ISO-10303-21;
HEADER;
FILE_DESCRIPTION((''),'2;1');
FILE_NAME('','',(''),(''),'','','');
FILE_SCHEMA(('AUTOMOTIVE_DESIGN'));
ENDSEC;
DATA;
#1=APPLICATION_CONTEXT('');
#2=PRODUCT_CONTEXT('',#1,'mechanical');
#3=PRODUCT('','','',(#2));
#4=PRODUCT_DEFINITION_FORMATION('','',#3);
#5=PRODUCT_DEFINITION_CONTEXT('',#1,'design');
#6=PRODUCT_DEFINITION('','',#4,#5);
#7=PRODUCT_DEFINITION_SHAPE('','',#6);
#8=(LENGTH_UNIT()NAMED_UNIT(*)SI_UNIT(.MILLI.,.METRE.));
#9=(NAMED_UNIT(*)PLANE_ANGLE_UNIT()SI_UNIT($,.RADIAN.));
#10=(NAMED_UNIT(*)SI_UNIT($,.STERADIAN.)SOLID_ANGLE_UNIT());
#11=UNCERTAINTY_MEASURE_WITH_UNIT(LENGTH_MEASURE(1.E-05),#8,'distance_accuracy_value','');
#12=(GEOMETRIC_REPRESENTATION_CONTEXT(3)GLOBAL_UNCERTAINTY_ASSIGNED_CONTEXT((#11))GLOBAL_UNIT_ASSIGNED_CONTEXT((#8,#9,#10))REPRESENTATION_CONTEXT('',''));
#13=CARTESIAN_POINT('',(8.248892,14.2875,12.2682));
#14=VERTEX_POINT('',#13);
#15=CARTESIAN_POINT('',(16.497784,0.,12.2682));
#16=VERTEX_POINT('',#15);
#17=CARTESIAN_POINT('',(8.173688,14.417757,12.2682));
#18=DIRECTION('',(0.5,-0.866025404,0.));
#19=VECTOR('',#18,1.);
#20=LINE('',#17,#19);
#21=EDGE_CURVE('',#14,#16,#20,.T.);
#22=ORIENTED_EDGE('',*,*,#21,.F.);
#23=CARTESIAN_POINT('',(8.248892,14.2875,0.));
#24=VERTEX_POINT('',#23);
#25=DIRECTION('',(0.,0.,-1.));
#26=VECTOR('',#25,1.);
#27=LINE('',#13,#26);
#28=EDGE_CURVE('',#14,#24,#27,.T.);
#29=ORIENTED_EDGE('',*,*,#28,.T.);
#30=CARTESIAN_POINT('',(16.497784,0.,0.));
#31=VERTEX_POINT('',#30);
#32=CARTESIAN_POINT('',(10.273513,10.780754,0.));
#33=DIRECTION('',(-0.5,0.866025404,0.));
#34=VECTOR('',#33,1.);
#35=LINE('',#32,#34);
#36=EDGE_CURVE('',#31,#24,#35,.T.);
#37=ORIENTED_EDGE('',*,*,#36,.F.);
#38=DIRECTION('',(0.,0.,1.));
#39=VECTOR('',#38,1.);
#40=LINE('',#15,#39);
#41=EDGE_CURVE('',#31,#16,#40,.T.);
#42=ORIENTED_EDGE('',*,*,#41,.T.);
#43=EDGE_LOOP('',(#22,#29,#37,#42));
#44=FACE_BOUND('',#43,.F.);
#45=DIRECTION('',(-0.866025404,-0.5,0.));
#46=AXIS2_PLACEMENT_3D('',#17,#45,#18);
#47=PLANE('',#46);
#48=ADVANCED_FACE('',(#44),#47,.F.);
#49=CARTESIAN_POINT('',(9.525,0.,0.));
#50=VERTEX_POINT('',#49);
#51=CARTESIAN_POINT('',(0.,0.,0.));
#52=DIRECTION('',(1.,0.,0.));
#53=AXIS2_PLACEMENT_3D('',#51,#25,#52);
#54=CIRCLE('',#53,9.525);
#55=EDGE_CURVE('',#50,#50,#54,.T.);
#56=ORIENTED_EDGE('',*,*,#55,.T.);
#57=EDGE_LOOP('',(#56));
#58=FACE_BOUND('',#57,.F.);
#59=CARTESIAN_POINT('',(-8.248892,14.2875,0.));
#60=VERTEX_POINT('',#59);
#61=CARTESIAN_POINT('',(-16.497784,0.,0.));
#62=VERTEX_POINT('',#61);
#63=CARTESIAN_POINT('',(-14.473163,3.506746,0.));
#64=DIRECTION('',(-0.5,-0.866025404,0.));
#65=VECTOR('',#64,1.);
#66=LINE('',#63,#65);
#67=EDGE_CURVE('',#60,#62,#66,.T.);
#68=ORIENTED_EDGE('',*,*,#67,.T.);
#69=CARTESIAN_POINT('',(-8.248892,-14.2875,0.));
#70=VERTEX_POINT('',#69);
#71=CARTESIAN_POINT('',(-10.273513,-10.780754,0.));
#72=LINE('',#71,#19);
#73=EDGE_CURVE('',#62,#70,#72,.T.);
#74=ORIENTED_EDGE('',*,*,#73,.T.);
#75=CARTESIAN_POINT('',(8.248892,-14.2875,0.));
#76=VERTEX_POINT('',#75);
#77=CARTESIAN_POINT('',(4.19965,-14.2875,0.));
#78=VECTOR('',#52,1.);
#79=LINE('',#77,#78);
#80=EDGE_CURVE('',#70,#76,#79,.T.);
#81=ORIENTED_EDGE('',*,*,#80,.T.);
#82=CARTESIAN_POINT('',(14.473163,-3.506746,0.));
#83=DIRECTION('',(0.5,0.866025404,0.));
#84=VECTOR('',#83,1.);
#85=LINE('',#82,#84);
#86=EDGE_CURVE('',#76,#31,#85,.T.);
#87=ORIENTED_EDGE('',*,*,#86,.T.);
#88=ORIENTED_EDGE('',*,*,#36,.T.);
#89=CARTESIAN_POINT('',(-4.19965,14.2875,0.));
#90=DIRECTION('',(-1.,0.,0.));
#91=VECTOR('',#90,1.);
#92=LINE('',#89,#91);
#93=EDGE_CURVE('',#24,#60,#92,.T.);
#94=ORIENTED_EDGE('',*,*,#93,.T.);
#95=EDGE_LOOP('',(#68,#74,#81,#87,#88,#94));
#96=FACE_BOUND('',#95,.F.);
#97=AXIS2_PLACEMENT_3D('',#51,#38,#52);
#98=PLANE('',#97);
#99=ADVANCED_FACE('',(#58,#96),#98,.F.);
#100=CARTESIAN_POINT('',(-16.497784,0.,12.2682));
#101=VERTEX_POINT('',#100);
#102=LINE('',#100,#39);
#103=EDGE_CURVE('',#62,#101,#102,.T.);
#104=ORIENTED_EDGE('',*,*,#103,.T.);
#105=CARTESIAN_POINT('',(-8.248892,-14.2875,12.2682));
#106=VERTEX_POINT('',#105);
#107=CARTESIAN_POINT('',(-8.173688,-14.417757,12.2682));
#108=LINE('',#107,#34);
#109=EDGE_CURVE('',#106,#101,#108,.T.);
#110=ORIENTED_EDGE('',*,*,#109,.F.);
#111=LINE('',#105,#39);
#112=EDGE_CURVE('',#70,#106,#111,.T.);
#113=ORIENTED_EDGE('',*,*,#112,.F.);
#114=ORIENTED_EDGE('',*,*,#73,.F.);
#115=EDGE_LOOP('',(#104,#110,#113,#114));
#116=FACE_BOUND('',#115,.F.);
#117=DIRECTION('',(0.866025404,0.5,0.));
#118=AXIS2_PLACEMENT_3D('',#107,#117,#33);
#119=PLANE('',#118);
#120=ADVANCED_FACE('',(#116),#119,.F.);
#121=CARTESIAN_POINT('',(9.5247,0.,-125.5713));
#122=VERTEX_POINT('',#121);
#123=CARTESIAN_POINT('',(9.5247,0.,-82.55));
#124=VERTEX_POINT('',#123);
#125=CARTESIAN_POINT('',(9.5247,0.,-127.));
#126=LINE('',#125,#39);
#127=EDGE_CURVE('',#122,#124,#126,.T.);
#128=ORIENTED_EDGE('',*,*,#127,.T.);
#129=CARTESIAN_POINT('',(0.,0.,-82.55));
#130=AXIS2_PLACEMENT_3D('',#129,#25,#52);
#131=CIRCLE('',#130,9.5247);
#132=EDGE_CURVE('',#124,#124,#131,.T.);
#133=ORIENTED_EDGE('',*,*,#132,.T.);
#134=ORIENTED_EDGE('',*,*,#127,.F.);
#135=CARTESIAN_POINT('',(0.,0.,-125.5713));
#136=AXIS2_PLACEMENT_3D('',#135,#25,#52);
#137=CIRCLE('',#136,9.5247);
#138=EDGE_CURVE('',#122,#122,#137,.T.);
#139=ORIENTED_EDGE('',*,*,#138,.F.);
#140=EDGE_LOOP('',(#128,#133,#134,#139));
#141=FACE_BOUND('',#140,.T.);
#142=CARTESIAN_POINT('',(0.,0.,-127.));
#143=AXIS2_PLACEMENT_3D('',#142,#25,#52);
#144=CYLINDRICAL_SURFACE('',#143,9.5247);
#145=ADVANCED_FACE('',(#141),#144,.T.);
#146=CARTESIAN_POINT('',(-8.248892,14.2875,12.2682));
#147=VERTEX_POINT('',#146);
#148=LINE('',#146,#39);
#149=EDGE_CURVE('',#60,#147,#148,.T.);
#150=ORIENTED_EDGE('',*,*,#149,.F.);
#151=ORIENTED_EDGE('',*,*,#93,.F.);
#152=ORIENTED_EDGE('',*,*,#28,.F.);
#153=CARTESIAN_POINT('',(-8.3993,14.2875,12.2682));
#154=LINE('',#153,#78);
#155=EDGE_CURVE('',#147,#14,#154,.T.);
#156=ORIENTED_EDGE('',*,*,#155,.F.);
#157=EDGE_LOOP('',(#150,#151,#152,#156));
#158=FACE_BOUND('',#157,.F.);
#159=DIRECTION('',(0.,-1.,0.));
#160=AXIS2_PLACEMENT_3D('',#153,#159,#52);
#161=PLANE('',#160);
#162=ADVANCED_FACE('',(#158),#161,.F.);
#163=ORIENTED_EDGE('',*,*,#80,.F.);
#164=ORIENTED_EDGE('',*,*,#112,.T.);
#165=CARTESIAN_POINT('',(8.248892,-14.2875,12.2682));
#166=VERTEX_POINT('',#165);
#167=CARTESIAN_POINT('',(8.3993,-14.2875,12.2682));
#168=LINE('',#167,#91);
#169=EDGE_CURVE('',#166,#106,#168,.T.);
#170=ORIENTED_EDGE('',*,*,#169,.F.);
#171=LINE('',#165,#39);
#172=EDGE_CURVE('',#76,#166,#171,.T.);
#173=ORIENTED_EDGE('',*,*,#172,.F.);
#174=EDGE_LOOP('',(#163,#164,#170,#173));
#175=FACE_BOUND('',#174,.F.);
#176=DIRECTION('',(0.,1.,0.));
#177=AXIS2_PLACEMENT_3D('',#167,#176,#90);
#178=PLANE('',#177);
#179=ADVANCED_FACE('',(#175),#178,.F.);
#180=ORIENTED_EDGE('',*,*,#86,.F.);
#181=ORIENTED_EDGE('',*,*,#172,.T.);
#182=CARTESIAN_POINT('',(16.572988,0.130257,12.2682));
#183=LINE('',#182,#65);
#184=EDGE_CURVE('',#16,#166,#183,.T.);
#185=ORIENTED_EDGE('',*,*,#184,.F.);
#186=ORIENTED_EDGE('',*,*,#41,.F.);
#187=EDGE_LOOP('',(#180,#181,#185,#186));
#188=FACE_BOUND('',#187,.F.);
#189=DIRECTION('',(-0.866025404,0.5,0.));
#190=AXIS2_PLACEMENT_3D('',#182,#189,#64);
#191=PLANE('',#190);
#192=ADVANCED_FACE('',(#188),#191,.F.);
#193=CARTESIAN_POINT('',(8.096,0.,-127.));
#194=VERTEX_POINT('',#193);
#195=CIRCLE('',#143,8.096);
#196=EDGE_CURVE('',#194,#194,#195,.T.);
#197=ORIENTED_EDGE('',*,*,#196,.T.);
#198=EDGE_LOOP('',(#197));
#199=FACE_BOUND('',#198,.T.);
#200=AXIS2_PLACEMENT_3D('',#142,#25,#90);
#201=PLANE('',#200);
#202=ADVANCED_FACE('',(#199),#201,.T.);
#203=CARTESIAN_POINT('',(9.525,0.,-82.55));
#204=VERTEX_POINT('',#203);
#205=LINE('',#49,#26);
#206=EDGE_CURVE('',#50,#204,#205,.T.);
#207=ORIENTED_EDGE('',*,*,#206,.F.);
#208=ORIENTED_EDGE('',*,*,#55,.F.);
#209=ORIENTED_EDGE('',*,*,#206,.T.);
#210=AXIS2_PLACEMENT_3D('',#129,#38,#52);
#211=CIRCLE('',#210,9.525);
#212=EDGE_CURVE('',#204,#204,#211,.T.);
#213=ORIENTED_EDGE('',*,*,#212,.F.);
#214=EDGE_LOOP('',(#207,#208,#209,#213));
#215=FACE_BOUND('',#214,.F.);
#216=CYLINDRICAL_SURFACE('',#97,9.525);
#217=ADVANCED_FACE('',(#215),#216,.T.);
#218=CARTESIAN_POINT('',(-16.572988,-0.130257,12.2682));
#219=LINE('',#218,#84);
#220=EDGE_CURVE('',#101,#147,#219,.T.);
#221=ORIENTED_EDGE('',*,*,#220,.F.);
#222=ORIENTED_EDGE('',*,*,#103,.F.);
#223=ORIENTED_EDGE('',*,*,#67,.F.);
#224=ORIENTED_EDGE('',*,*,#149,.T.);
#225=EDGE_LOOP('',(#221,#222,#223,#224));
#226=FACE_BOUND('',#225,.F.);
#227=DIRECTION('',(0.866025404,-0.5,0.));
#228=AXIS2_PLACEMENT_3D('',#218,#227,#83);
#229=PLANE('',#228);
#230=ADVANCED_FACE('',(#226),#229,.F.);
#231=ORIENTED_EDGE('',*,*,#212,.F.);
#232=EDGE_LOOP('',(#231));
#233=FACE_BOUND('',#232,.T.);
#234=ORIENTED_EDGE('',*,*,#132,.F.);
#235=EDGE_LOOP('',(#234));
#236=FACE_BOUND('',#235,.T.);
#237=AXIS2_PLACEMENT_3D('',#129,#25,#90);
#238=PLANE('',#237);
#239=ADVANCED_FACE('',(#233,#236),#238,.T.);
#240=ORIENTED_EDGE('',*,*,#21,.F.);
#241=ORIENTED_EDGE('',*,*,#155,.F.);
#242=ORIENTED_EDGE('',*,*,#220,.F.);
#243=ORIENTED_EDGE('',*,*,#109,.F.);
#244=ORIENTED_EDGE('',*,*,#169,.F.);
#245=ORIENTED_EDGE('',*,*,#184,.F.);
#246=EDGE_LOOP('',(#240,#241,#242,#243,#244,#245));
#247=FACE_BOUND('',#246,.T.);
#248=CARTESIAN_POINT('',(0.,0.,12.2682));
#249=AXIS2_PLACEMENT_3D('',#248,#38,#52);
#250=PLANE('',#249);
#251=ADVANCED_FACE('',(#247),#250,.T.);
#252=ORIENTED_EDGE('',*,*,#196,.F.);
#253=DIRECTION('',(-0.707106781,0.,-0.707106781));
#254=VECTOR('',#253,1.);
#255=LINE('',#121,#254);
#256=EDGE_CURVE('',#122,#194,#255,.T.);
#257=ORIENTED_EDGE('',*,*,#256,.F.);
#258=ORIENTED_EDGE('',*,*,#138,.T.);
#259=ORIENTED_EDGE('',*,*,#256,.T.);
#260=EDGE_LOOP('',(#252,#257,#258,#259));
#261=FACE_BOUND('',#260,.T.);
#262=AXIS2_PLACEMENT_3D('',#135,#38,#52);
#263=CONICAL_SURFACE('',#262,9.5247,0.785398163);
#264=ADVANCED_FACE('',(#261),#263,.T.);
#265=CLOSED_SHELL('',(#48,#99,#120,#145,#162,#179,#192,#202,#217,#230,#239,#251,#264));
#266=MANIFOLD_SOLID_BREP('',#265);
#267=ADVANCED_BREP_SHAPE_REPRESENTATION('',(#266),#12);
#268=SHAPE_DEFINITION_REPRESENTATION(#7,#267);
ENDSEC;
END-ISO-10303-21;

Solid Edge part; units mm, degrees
sketch "Sketch1" plane through (0, 0, 0) normal (0, 0, 1) x (1, 0, 0)
  circle A0 centre (0, 0) radius 16.5735
  dimension "D1" = 33.147
extrude "Protrusion1" add sketch "Sketch1" along normal blind 12.2682
sketch "Sketch2" plane through (0, 0, 0) normal (0, 0, -1) x (1, 0, 0)
  circle A0 centre (0, 0) radius 9.525
extrude "Protrusion2" add sketch "Sketch2" along normal blind 127
sketch "Sketch3" plane through (0, 0, -127) normal (0, 0, -1) x (1, 0, 0)
  circle A0 centre (0, 0) radius 9.5247
extrude "Cutout1" cut sketch "Sketch3" against normal blind 44.45 flip side to cut
chamfer "Chamfer_1" distance 1.4287 angle 45 1 edges at (-9.5247, 0, -127)
sketch "Sketch4" plane through (0, 0, 12.2682) normal (0, 0, 1) x (1, 0, 0)
  line L0 (-8.3993, 14.2875) -> (8.3993, 14.2875)
  dimension "D1" = 28.575
extrude "Cutout2" cut sketch "Sketch4" against normal up to next material side at (0, 14.3375, 12.2682)
pattern_circular "Pattern1" count 6 over 360 about axis through (0, 0, 12.2682) along (0, 0, 1) of "Cutout2"
properties part number "24100130"
